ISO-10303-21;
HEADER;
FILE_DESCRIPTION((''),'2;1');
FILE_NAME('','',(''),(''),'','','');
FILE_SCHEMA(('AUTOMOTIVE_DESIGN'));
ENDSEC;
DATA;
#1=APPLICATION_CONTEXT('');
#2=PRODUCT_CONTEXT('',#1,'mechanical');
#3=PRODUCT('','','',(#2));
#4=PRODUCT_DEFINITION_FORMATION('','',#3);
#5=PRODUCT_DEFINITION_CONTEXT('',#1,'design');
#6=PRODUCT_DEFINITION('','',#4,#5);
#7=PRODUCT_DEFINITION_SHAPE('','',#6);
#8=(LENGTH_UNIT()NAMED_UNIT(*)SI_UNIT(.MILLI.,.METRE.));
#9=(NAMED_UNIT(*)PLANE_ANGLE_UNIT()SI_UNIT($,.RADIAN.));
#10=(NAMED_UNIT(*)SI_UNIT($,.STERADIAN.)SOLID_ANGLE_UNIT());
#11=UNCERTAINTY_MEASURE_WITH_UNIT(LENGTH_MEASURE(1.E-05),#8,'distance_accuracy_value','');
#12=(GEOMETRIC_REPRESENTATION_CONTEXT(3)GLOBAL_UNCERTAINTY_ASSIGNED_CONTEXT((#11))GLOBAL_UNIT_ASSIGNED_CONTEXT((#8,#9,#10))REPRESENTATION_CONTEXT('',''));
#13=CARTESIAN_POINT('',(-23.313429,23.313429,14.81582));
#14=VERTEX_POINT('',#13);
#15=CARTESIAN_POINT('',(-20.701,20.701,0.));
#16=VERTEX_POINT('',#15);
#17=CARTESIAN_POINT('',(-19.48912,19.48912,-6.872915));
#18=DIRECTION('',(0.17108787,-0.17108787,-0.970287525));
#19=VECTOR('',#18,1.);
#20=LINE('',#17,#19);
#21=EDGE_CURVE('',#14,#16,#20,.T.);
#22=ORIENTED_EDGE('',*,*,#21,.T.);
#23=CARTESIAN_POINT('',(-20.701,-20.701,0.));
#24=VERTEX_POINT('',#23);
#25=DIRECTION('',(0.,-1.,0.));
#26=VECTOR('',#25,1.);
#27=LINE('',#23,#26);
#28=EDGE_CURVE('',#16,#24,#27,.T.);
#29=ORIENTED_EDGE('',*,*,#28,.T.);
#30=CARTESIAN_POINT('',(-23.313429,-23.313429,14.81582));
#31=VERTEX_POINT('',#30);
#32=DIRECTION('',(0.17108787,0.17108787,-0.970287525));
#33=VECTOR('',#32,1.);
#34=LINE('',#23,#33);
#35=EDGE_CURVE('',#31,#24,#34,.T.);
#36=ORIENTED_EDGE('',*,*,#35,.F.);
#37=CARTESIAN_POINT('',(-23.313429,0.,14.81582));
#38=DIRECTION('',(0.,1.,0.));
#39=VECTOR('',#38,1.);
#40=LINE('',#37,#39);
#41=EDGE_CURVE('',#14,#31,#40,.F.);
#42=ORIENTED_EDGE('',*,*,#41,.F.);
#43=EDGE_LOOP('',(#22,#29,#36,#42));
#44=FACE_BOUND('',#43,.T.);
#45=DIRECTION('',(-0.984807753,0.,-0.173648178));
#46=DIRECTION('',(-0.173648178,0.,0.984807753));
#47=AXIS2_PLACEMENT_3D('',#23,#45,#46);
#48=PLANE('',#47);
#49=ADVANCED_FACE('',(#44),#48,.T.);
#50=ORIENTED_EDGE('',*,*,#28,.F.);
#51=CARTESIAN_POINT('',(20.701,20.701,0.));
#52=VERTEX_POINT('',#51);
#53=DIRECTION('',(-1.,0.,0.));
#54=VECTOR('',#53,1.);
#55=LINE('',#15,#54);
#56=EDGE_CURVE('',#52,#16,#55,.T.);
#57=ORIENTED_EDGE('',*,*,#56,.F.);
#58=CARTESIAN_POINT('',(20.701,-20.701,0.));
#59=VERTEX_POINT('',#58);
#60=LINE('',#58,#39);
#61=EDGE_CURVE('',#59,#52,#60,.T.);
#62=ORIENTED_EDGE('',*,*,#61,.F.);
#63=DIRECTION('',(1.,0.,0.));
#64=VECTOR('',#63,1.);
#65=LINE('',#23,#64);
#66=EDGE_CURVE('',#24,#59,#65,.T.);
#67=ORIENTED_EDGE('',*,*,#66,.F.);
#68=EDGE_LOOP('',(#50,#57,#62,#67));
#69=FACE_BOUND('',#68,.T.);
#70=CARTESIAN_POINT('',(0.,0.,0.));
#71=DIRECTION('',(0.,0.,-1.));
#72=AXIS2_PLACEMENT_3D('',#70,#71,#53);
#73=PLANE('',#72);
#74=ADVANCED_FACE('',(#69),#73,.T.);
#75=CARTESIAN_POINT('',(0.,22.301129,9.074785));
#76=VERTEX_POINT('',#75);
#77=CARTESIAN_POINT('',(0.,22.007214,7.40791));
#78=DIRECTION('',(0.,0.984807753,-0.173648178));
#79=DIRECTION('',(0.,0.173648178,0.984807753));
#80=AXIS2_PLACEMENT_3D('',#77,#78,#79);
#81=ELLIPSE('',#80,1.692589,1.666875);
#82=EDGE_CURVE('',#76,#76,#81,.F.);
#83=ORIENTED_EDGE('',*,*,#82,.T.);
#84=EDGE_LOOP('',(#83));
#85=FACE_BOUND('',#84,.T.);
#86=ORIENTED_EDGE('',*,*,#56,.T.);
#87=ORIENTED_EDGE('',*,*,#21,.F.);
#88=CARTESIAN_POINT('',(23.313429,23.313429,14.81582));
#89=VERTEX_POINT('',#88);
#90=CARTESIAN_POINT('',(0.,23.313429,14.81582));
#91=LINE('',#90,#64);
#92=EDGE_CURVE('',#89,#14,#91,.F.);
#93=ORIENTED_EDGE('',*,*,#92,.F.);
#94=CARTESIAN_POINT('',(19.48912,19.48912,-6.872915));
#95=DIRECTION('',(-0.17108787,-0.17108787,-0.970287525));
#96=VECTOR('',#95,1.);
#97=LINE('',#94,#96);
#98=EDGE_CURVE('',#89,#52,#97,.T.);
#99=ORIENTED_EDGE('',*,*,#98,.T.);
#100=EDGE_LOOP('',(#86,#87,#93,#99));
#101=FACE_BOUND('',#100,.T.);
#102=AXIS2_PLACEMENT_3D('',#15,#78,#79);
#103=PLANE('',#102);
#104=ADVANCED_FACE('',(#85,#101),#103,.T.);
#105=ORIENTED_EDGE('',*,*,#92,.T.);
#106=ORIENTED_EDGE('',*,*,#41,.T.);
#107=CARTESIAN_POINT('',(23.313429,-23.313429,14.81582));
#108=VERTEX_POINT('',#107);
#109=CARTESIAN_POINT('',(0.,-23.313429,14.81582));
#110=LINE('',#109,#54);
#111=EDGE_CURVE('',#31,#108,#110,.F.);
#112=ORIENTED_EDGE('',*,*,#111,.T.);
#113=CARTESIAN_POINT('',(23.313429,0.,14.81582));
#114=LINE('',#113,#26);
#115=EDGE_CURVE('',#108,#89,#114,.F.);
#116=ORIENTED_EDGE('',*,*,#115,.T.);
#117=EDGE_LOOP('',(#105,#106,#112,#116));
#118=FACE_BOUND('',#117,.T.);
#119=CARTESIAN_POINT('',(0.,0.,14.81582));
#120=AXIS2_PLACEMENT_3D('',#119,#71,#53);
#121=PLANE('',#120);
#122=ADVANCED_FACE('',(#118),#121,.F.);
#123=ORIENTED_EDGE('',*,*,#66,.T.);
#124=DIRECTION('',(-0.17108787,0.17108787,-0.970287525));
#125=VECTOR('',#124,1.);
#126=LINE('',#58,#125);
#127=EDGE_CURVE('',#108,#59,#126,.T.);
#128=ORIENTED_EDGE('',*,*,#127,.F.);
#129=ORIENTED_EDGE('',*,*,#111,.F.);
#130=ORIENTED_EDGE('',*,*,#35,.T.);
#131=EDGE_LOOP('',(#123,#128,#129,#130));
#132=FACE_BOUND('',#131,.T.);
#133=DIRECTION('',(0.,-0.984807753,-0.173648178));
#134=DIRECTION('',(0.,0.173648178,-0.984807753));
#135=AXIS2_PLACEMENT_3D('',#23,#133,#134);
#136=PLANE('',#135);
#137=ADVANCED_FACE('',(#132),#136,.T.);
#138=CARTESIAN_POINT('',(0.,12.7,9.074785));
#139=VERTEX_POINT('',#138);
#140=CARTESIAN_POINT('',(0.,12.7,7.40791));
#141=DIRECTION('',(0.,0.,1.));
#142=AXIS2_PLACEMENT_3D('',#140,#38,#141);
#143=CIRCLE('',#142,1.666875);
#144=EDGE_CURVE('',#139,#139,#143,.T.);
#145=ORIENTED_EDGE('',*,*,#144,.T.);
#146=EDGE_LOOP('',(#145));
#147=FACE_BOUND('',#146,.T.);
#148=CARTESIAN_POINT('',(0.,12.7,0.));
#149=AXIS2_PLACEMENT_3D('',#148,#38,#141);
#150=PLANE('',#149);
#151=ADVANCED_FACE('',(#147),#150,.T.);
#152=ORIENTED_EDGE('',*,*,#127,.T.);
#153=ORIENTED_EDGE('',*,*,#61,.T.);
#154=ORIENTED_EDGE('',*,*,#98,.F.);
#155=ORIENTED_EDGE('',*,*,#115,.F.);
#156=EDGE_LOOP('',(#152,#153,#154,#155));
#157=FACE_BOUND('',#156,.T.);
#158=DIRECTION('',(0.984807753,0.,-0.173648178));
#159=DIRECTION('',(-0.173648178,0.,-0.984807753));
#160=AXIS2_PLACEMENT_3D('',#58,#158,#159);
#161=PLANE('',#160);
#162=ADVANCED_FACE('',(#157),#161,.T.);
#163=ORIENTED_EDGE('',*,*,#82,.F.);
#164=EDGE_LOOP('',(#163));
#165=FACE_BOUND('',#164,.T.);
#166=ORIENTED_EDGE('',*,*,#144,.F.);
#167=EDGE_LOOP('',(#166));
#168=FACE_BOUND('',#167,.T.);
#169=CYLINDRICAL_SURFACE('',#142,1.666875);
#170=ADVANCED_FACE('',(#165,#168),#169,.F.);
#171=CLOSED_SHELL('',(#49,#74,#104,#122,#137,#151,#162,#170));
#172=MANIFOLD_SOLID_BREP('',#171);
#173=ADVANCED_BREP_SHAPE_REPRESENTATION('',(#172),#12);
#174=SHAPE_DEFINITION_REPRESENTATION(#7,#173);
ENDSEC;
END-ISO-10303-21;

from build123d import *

# Parameters (mm, degrees)
ESQUISSE1_W             = 41.402
ESQUISSE1_H             = 41.402
BOSS_EXTRU_1_DEPTH      = 14.81582
BOSS_EXTRU_1_DRAFT      = -10
ESQUISSE2_R             = 1.666875
ENL_V_MAT_EXTRU_1_DEPTH = 12.7


with BuildPart() as part:
    # Esquisse1 → Boss.-Extru.1 (with draft: the straight prism first)
    with BuildSketch(Plane.XY):
        Rectangle(ESQUISSE1_W, ESQUISSE1_H)
    extrude(amount=BOSS_EXTRU_1_DEPTH)
    # Boss.-Extru.1: the draft: its side faces are tilted about the plane it starts from
    boss_extru_1_sides = [part.faces().sort_by_distance(p)[0] for p in [
        (0, -20.701, 7.40791),
        (20.701, 0, 7.40791),
        (0, 20.701, 7.40791),
        (-20.701, 0, 7.40791),
    ]]
    draft(boss_extru_1_sides, Plane.XY, BOSS_EXTRU_1_DRAFT)

    # Esquisse2 → Enlèv. mat.-Extru.1 (cut)
    with BuildSketch(Plane(origin=(0, 25.4, 0), x_dir=(1, 0, 0), z_dir=(0, 1, 0))):
        with Locations(Location((0, -7.40791, 0), (0, 0, 270))):
            Circle(ESQUISSE2_R)
    extrude(amount=-ENL_V_MAT_EXTRU_1_DEPTH, mode=Mode.SUBTRACT)


solid = part.part
